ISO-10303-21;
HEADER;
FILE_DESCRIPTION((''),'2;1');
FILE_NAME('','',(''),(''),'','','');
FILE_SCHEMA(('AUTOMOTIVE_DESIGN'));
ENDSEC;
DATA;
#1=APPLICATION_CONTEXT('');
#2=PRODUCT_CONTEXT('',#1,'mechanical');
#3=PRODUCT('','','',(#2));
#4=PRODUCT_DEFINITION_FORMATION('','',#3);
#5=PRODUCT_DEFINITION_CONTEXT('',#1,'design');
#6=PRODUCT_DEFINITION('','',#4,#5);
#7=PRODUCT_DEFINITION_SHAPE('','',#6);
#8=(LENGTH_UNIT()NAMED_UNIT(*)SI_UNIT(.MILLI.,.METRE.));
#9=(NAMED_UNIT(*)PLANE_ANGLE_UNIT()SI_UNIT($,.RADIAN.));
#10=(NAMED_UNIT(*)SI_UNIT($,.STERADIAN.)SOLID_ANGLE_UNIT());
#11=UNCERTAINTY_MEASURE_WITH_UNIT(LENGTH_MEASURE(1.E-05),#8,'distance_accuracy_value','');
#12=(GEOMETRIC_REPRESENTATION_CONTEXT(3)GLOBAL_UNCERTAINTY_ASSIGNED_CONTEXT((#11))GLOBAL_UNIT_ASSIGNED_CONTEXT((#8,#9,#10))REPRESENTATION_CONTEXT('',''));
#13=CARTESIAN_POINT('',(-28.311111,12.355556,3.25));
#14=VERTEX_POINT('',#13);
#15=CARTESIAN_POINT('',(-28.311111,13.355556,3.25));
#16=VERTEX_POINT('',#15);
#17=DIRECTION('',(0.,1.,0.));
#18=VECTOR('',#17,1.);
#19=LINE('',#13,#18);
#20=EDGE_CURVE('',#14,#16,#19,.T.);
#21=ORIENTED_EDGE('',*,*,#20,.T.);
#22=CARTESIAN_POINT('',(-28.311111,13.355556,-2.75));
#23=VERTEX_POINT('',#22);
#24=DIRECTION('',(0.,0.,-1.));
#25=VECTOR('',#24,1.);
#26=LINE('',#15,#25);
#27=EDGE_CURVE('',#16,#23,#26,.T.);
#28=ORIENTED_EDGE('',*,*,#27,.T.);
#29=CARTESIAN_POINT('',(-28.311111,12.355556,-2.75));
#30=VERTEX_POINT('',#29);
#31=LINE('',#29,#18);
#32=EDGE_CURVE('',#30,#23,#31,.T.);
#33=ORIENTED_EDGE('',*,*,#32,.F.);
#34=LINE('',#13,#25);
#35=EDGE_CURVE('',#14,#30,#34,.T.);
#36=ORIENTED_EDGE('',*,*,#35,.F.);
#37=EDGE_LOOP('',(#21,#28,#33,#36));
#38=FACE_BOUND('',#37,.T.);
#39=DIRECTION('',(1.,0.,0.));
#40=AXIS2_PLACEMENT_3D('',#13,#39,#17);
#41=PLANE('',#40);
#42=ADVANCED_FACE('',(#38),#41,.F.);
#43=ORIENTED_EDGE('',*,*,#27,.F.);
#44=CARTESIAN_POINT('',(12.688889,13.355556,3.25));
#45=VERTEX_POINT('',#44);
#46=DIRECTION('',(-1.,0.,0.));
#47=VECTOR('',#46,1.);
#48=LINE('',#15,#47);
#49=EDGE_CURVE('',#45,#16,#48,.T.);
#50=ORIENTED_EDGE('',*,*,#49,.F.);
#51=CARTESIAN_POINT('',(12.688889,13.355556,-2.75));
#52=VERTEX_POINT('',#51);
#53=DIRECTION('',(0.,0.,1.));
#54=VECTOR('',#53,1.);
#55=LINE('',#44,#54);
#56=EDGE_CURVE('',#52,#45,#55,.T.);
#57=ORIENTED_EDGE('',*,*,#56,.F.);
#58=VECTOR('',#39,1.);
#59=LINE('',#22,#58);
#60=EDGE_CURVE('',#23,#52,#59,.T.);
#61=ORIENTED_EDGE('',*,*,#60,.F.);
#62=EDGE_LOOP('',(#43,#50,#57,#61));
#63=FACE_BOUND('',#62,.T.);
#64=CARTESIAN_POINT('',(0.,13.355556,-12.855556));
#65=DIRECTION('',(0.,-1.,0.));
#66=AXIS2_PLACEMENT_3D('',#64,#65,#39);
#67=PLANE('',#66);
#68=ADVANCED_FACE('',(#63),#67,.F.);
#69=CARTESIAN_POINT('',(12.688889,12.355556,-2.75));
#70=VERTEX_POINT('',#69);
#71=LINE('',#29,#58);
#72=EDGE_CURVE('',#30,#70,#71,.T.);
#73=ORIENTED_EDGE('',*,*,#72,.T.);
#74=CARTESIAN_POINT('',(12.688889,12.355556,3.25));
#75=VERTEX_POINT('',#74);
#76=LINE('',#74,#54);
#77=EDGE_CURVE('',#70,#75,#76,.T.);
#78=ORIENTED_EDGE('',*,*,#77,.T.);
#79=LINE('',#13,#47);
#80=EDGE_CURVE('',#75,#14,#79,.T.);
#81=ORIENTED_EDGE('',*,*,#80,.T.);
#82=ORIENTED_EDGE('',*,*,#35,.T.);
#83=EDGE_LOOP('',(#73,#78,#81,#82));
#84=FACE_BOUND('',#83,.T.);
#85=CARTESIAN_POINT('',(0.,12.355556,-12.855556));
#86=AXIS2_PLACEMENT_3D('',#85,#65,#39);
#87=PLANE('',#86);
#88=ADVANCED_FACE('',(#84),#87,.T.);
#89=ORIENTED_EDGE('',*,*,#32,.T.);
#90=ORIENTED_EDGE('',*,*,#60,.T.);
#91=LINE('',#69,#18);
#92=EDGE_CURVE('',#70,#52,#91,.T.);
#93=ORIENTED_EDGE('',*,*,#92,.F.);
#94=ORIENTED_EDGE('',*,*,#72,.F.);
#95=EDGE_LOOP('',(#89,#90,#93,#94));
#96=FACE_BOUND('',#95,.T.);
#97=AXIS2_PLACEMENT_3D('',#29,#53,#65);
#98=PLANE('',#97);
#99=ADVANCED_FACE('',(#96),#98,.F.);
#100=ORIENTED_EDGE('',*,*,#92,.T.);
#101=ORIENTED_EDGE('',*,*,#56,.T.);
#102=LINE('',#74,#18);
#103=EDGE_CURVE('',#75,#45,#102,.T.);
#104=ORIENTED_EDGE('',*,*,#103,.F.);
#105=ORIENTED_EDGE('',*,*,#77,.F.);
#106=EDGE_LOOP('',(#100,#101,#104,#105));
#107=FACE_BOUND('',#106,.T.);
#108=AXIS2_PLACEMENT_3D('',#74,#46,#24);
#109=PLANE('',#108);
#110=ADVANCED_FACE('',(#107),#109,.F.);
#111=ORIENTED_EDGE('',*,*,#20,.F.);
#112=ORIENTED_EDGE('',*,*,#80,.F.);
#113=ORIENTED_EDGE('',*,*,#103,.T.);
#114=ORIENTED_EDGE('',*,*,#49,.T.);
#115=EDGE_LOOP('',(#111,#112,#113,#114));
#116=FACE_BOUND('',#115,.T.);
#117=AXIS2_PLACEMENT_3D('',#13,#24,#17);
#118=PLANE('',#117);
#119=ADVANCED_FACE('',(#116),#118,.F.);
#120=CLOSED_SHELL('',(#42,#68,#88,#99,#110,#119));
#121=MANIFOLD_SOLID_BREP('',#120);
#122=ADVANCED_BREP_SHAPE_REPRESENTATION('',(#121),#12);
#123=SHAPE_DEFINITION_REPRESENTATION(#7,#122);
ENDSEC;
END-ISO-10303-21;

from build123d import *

# Parameters (mm, degrees)
SKETCH1_W             = 41
SKETCH1_H             = 6
BOSS_EXTRUDE1_DEPTH   = 1
BODY_MOVE_COPY1_ANGLE = 90


with BuildPart() as part:
    # Sketch1 → Boss-Extrude1 (new body)
    with BuildSketch(Plane.XY):
        with Locations((-7.811111111, 13.105555556)):
            Rectangle(SKETCH1_W, SKETCH1_H)
    extrude(amount=BOSS_EXTRUDE1_DEPTH)


with BuildPart() as part_1:
    # Body-Move/Copy1: moved
    add(part.part.rotate(Axis((0, 13.105555556, 0.25), (1, 0, 0)), BODY_MOVE_COPY1_ANGLE))


solid = part_1.part
